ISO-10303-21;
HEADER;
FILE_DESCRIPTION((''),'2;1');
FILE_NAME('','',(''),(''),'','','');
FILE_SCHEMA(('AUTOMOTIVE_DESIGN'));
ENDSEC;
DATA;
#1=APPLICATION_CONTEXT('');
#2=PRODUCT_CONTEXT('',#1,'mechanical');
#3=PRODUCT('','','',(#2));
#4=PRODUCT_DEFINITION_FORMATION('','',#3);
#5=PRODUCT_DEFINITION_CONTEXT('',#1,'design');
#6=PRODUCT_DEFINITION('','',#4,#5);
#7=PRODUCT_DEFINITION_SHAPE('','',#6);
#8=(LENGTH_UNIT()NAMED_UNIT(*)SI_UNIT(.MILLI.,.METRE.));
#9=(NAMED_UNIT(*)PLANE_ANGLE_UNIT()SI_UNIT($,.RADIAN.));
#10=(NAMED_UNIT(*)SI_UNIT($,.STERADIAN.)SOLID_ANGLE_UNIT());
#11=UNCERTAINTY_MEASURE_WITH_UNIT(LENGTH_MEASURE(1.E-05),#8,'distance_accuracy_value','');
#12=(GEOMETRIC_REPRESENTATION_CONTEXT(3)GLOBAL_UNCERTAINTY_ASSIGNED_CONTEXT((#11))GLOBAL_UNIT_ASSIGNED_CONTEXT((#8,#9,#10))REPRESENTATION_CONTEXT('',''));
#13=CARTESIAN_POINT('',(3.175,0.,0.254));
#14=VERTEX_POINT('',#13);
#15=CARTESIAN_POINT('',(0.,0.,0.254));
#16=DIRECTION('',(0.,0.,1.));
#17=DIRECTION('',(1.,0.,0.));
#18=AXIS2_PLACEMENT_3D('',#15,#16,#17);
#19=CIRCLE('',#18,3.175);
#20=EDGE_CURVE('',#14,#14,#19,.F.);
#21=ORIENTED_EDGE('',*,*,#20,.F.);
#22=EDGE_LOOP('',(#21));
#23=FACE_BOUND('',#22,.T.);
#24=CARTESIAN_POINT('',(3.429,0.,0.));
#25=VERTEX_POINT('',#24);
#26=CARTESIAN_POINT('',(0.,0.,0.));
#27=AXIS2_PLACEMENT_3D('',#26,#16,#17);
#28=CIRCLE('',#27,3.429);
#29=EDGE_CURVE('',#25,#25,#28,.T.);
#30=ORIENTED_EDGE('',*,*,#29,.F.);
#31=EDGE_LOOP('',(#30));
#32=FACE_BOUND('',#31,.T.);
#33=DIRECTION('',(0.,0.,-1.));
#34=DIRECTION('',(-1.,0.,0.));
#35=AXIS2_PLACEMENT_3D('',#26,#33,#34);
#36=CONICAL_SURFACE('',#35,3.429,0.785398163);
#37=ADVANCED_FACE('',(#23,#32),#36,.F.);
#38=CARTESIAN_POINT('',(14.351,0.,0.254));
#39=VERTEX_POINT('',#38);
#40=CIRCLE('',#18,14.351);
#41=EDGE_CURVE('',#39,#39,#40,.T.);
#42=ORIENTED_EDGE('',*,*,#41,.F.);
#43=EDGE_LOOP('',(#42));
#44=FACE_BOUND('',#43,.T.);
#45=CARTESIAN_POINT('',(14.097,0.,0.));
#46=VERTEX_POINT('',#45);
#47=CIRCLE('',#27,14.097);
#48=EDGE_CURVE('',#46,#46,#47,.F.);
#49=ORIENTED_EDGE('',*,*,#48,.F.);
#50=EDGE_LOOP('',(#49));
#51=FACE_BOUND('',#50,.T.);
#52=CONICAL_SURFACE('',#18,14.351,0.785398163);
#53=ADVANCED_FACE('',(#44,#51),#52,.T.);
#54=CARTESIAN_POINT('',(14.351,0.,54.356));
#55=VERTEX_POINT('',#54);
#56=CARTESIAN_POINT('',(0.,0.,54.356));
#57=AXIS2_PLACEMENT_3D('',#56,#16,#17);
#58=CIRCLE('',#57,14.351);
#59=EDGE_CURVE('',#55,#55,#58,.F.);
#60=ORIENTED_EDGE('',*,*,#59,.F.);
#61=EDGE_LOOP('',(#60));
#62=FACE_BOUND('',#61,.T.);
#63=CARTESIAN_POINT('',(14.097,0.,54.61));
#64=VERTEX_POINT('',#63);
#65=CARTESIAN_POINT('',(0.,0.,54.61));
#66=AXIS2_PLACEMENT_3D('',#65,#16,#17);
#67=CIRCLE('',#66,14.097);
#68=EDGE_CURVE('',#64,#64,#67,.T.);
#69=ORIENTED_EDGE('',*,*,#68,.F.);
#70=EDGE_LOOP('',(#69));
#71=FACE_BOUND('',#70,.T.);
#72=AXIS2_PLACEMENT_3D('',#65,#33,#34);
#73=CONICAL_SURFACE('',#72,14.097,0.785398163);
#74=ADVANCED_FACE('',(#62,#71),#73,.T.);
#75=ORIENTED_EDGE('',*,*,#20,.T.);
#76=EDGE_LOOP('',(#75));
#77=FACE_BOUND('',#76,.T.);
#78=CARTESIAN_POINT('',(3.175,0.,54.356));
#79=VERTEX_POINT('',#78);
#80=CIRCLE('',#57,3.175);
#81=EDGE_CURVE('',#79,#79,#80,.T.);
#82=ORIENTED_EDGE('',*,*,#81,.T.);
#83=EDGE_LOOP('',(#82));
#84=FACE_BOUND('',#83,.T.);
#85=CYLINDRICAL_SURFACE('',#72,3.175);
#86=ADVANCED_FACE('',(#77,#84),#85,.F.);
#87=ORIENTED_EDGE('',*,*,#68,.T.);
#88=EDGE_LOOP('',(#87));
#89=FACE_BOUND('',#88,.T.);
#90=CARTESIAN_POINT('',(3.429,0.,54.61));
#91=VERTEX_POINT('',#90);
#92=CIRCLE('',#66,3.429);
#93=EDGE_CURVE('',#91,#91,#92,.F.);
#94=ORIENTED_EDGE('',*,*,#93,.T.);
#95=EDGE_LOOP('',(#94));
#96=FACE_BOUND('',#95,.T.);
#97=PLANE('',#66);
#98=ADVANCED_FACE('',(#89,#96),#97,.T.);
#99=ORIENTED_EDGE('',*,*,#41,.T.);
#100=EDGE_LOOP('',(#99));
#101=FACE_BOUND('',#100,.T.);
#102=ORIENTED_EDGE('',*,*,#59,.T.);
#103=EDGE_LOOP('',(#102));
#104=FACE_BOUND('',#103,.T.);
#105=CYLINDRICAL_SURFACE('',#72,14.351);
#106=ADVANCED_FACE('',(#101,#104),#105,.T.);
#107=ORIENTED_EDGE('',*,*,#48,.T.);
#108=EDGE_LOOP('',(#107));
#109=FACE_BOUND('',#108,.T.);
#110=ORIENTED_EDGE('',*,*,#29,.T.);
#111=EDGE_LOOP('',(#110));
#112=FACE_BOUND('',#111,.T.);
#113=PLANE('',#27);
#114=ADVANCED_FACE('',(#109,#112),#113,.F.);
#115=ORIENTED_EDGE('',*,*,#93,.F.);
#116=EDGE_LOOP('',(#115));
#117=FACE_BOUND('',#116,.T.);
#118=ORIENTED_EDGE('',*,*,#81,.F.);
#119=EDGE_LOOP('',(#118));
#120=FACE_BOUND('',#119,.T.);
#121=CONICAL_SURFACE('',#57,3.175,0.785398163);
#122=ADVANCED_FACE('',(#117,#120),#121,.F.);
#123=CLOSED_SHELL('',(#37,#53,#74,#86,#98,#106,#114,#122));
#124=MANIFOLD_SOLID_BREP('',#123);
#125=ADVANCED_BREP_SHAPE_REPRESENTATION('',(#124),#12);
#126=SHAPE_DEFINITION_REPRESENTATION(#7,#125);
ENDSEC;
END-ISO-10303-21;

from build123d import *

# Parameters (mm, degrees)
SKETCH1_R           = 14.351
SKETCH1_R_2         = 3.175
BOSS_EXTRUDE1_DEPTH = 54.61
CHAMFER1_SIZE       = 0.254


with BuildPart() as part:
    # Sketch1 → Boss-Extrude1 (new body)
    with BuildSketch(Plane.XY):
        Circle(SKETCH1_R)
        Circle(SKETCH1_R_2, mode=Mode.SUBTRACT)
    extrude(amount=BOSS_EXTRUDE1_DEPTH)

    # Chamfer1
    chamfer1_edges = [part.edges().sort_by_distance(p)[0] for p in [
        (-14.351, 0, 0),
        (-14.351, 0, 54.61),
        (-3.175, 0, 0),
        (-3.175, 0, 54.61),
    ]]
    chamfer(chamfer1_edges, length=CHAMFER1_SIZE)


solid = part.part
